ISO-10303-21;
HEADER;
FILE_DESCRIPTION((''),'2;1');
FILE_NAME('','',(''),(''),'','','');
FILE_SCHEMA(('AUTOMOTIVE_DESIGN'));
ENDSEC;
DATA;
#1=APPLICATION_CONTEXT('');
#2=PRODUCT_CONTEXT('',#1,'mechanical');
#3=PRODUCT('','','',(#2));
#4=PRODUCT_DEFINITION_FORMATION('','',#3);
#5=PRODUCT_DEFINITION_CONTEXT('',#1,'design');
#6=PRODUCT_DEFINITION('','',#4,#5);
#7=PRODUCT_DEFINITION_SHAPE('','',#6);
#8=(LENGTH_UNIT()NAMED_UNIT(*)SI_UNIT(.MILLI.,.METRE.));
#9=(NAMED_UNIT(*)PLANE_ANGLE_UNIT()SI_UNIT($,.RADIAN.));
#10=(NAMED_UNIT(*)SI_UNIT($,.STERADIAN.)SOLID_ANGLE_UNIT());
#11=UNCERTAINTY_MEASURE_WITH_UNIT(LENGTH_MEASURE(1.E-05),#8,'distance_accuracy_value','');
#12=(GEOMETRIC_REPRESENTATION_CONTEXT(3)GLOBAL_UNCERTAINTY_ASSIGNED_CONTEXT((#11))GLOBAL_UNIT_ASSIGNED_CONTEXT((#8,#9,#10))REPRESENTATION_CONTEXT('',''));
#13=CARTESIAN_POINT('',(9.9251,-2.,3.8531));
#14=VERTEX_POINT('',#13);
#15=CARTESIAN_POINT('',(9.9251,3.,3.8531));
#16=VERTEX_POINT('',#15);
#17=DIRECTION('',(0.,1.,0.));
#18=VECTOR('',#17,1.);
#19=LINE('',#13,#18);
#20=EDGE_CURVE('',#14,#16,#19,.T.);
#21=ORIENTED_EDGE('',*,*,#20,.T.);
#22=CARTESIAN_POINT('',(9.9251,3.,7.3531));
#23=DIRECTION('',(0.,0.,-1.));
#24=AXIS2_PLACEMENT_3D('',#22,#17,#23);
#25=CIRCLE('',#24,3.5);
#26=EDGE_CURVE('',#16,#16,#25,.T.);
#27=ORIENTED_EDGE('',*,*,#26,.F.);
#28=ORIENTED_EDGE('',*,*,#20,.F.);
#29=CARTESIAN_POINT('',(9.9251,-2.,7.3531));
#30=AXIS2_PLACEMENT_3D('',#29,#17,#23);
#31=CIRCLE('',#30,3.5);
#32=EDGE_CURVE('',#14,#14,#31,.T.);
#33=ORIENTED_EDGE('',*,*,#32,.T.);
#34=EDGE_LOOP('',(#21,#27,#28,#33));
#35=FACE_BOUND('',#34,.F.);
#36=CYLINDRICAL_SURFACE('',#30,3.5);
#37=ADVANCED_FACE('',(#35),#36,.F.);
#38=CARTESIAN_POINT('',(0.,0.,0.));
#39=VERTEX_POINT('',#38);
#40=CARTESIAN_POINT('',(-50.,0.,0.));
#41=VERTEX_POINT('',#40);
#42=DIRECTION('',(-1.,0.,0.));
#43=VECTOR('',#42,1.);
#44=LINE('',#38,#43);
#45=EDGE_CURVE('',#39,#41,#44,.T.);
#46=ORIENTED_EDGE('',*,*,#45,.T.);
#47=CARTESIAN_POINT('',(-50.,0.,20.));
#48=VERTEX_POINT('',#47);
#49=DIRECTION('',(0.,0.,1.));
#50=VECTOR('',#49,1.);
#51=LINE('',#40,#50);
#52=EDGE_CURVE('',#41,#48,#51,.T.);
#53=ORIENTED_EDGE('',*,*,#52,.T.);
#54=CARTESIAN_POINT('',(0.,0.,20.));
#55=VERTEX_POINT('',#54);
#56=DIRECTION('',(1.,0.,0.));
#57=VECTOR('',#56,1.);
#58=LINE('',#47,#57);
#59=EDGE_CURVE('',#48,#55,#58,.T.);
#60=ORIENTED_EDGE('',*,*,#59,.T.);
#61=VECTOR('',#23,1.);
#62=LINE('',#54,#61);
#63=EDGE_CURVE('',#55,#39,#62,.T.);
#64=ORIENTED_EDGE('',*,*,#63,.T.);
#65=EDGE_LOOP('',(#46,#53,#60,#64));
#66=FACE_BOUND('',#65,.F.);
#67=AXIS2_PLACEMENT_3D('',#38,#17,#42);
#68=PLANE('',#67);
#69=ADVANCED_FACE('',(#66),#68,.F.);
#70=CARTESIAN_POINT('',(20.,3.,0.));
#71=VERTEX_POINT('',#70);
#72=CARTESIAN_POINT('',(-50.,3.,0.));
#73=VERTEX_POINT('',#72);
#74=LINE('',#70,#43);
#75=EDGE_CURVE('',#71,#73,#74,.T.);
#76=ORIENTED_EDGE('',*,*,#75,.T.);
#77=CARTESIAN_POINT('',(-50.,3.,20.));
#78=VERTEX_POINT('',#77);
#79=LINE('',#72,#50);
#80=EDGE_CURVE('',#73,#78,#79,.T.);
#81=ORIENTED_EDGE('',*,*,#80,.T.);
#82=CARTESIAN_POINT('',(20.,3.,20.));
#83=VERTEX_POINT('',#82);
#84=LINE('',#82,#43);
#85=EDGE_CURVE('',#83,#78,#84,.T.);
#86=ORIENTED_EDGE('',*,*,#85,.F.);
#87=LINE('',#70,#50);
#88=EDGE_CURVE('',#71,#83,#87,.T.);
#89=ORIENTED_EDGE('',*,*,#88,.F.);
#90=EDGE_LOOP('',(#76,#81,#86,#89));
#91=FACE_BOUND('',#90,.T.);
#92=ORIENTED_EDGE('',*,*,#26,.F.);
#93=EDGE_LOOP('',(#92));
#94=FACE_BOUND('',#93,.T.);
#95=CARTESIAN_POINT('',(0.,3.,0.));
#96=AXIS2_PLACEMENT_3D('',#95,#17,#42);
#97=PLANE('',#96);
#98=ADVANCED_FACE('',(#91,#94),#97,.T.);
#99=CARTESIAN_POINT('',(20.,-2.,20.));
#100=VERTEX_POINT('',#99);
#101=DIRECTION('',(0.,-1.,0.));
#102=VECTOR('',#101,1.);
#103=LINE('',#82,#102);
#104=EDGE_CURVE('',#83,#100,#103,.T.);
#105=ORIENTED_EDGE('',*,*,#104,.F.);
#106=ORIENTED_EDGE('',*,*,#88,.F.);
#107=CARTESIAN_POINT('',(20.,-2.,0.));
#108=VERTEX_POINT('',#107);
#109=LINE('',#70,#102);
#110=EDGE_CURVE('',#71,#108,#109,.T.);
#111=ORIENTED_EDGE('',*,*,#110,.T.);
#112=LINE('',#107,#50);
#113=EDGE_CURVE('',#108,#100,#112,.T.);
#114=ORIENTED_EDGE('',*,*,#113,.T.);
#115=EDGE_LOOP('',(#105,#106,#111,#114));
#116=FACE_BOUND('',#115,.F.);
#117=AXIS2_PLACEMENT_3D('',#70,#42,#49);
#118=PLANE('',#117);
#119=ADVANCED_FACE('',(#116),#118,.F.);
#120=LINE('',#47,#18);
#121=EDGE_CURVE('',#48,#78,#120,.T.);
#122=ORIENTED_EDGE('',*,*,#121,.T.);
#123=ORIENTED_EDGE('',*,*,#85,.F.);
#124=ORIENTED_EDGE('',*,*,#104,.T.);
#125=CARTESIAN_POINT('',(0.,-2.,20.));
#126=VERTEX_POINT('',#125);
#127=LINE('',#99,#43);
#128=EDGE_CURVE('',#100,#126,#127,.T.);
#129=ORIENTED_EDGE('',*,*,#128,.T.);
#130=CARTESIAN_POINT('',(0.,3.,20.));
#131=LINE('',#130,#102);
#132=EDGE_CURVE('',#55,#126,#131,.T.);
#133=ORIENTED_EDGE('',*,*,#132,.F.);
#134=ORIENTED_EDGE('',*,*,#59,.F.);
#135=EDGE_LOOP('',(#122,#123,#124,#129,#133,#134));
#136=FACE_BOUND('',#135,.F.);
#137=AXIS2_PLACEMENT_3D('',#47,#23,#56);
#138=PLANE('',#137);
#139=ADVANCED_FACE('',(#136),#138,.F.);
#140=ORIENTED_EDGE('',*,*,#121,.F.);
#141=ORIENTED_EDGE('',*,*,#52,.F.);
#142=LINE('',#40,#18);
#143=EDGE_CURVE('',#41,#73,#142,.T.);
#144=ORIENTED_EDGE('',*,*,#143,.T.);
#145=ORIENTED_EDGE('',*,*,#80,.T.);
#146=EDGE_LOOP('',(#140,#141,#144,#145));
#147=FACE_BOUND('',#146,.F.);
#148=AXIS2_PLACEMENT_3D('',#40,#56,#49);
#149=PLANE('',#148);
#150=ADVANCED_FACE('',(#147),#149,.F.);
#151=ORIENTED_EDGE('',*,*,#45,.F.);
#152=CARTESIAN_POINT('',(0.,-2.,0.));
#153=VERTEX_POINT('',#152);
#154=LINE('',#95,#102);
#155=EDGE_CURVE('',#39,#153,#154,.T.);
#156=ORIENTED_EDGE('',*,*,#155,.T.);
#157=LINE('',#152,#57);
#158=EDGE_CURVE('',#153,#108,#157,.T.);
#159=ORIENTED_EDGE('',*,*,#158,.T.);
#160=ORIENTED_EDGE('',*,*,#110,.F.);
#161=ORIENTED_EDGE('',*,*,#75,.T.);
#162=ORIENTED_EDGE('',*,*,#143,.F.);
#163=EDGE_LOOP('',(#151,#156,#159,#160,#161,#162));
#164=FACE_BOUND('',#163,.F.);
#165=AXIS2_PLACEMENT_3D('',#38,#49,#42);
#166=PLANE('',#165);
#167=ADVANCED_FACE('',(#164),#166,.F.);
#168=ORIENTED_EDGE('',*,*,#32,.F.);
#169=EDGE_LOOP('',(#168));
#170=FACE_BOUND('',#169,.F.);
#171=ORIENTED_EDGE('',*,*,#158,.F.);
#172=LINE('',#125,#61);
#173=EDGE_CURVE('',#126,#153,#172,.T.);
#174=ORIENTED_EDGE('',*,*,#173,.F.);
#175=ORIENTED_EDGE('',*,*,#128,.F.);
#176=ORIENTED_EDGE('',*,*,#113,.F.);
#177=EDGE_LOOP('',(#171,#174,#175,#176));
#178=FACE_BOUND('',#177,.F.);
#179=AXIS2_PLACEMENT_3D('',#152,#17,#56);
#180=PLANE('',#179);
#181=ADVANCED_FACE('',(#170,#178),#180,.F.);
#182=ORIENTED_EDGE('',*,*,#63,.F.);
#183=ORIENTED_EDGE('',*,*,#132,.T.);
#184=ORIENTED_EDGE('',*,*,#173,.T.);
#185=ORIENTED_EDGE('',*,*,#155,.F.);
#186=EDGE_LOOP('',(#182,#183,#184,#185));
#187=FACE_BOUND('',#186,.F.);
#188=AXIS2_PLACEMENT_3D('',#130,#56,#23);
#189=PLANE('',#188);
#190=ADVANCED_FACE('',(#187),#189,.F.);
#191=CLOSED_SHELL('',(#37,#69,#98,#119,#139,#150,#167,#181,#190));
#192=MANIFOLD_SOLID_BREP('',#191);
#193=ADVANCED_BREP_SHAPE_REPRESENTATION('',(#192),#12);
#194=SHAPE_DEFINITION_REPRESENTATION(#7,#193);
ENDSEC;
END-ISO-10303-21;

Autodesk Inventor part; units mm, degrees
ref_plane "YZ Plane" through (0, 0, 0) normal (1, 0, 0) x (0, 1, 0)
ref_plane "XZ Plane" through (0, 0, 0) normal (0, 1, 0) x (-1, 0, 0)
ref_plane "XY Plane" through (0, 0, 0) normal (0, 0, 1) x (1, 0, 0)
sketch "Sketch1" plane through (0, 0, 0) normal (0, 1, 0) x (-1, 0, 0)
  line L0 (0, 0) -> (50, 0)
  line L1 (50, 0) -> (50, 20)
  line L2 (50, 20) -> (0, 20)
  line L3 (0, 20) -> (0, 0)
  dimension "d0" = 50
  dimension "d1" = 20
extrude "Extrusion1" add sketch "Sketch1" along normal blind 3
sketch "Sketch2" plane through (0, 3, 0) normal (0, 1, 0) x (1, 0, 0)
  line L0 (0, -20) -> (0, 0) projected
  line L1 (0, 0) -> (20, 0)
  line L2 (20, 0) -> (20, -20)
  line L3 (20, -20) -> (0, -20)
  line L4 (0, -20) -> (0, 0)
  dimension "d4" = 20
  dimension "d5" = 20
extrude "Extrusion2" add sketch "Sketch2" against normal blind 5
sketch "Sketch3" plane through (0, -2, 0) normal (0, -1, 0) x (1, 0, 0)
  point P0 (0, 0)
  point P1 (9.9251, 7.3531)
hole "Hole1" at (9.9251, -2, 7.3531) direction (0, 1, 0) diameter 7 end through all
properties part number "CameraTrainRig_holder_v2"
